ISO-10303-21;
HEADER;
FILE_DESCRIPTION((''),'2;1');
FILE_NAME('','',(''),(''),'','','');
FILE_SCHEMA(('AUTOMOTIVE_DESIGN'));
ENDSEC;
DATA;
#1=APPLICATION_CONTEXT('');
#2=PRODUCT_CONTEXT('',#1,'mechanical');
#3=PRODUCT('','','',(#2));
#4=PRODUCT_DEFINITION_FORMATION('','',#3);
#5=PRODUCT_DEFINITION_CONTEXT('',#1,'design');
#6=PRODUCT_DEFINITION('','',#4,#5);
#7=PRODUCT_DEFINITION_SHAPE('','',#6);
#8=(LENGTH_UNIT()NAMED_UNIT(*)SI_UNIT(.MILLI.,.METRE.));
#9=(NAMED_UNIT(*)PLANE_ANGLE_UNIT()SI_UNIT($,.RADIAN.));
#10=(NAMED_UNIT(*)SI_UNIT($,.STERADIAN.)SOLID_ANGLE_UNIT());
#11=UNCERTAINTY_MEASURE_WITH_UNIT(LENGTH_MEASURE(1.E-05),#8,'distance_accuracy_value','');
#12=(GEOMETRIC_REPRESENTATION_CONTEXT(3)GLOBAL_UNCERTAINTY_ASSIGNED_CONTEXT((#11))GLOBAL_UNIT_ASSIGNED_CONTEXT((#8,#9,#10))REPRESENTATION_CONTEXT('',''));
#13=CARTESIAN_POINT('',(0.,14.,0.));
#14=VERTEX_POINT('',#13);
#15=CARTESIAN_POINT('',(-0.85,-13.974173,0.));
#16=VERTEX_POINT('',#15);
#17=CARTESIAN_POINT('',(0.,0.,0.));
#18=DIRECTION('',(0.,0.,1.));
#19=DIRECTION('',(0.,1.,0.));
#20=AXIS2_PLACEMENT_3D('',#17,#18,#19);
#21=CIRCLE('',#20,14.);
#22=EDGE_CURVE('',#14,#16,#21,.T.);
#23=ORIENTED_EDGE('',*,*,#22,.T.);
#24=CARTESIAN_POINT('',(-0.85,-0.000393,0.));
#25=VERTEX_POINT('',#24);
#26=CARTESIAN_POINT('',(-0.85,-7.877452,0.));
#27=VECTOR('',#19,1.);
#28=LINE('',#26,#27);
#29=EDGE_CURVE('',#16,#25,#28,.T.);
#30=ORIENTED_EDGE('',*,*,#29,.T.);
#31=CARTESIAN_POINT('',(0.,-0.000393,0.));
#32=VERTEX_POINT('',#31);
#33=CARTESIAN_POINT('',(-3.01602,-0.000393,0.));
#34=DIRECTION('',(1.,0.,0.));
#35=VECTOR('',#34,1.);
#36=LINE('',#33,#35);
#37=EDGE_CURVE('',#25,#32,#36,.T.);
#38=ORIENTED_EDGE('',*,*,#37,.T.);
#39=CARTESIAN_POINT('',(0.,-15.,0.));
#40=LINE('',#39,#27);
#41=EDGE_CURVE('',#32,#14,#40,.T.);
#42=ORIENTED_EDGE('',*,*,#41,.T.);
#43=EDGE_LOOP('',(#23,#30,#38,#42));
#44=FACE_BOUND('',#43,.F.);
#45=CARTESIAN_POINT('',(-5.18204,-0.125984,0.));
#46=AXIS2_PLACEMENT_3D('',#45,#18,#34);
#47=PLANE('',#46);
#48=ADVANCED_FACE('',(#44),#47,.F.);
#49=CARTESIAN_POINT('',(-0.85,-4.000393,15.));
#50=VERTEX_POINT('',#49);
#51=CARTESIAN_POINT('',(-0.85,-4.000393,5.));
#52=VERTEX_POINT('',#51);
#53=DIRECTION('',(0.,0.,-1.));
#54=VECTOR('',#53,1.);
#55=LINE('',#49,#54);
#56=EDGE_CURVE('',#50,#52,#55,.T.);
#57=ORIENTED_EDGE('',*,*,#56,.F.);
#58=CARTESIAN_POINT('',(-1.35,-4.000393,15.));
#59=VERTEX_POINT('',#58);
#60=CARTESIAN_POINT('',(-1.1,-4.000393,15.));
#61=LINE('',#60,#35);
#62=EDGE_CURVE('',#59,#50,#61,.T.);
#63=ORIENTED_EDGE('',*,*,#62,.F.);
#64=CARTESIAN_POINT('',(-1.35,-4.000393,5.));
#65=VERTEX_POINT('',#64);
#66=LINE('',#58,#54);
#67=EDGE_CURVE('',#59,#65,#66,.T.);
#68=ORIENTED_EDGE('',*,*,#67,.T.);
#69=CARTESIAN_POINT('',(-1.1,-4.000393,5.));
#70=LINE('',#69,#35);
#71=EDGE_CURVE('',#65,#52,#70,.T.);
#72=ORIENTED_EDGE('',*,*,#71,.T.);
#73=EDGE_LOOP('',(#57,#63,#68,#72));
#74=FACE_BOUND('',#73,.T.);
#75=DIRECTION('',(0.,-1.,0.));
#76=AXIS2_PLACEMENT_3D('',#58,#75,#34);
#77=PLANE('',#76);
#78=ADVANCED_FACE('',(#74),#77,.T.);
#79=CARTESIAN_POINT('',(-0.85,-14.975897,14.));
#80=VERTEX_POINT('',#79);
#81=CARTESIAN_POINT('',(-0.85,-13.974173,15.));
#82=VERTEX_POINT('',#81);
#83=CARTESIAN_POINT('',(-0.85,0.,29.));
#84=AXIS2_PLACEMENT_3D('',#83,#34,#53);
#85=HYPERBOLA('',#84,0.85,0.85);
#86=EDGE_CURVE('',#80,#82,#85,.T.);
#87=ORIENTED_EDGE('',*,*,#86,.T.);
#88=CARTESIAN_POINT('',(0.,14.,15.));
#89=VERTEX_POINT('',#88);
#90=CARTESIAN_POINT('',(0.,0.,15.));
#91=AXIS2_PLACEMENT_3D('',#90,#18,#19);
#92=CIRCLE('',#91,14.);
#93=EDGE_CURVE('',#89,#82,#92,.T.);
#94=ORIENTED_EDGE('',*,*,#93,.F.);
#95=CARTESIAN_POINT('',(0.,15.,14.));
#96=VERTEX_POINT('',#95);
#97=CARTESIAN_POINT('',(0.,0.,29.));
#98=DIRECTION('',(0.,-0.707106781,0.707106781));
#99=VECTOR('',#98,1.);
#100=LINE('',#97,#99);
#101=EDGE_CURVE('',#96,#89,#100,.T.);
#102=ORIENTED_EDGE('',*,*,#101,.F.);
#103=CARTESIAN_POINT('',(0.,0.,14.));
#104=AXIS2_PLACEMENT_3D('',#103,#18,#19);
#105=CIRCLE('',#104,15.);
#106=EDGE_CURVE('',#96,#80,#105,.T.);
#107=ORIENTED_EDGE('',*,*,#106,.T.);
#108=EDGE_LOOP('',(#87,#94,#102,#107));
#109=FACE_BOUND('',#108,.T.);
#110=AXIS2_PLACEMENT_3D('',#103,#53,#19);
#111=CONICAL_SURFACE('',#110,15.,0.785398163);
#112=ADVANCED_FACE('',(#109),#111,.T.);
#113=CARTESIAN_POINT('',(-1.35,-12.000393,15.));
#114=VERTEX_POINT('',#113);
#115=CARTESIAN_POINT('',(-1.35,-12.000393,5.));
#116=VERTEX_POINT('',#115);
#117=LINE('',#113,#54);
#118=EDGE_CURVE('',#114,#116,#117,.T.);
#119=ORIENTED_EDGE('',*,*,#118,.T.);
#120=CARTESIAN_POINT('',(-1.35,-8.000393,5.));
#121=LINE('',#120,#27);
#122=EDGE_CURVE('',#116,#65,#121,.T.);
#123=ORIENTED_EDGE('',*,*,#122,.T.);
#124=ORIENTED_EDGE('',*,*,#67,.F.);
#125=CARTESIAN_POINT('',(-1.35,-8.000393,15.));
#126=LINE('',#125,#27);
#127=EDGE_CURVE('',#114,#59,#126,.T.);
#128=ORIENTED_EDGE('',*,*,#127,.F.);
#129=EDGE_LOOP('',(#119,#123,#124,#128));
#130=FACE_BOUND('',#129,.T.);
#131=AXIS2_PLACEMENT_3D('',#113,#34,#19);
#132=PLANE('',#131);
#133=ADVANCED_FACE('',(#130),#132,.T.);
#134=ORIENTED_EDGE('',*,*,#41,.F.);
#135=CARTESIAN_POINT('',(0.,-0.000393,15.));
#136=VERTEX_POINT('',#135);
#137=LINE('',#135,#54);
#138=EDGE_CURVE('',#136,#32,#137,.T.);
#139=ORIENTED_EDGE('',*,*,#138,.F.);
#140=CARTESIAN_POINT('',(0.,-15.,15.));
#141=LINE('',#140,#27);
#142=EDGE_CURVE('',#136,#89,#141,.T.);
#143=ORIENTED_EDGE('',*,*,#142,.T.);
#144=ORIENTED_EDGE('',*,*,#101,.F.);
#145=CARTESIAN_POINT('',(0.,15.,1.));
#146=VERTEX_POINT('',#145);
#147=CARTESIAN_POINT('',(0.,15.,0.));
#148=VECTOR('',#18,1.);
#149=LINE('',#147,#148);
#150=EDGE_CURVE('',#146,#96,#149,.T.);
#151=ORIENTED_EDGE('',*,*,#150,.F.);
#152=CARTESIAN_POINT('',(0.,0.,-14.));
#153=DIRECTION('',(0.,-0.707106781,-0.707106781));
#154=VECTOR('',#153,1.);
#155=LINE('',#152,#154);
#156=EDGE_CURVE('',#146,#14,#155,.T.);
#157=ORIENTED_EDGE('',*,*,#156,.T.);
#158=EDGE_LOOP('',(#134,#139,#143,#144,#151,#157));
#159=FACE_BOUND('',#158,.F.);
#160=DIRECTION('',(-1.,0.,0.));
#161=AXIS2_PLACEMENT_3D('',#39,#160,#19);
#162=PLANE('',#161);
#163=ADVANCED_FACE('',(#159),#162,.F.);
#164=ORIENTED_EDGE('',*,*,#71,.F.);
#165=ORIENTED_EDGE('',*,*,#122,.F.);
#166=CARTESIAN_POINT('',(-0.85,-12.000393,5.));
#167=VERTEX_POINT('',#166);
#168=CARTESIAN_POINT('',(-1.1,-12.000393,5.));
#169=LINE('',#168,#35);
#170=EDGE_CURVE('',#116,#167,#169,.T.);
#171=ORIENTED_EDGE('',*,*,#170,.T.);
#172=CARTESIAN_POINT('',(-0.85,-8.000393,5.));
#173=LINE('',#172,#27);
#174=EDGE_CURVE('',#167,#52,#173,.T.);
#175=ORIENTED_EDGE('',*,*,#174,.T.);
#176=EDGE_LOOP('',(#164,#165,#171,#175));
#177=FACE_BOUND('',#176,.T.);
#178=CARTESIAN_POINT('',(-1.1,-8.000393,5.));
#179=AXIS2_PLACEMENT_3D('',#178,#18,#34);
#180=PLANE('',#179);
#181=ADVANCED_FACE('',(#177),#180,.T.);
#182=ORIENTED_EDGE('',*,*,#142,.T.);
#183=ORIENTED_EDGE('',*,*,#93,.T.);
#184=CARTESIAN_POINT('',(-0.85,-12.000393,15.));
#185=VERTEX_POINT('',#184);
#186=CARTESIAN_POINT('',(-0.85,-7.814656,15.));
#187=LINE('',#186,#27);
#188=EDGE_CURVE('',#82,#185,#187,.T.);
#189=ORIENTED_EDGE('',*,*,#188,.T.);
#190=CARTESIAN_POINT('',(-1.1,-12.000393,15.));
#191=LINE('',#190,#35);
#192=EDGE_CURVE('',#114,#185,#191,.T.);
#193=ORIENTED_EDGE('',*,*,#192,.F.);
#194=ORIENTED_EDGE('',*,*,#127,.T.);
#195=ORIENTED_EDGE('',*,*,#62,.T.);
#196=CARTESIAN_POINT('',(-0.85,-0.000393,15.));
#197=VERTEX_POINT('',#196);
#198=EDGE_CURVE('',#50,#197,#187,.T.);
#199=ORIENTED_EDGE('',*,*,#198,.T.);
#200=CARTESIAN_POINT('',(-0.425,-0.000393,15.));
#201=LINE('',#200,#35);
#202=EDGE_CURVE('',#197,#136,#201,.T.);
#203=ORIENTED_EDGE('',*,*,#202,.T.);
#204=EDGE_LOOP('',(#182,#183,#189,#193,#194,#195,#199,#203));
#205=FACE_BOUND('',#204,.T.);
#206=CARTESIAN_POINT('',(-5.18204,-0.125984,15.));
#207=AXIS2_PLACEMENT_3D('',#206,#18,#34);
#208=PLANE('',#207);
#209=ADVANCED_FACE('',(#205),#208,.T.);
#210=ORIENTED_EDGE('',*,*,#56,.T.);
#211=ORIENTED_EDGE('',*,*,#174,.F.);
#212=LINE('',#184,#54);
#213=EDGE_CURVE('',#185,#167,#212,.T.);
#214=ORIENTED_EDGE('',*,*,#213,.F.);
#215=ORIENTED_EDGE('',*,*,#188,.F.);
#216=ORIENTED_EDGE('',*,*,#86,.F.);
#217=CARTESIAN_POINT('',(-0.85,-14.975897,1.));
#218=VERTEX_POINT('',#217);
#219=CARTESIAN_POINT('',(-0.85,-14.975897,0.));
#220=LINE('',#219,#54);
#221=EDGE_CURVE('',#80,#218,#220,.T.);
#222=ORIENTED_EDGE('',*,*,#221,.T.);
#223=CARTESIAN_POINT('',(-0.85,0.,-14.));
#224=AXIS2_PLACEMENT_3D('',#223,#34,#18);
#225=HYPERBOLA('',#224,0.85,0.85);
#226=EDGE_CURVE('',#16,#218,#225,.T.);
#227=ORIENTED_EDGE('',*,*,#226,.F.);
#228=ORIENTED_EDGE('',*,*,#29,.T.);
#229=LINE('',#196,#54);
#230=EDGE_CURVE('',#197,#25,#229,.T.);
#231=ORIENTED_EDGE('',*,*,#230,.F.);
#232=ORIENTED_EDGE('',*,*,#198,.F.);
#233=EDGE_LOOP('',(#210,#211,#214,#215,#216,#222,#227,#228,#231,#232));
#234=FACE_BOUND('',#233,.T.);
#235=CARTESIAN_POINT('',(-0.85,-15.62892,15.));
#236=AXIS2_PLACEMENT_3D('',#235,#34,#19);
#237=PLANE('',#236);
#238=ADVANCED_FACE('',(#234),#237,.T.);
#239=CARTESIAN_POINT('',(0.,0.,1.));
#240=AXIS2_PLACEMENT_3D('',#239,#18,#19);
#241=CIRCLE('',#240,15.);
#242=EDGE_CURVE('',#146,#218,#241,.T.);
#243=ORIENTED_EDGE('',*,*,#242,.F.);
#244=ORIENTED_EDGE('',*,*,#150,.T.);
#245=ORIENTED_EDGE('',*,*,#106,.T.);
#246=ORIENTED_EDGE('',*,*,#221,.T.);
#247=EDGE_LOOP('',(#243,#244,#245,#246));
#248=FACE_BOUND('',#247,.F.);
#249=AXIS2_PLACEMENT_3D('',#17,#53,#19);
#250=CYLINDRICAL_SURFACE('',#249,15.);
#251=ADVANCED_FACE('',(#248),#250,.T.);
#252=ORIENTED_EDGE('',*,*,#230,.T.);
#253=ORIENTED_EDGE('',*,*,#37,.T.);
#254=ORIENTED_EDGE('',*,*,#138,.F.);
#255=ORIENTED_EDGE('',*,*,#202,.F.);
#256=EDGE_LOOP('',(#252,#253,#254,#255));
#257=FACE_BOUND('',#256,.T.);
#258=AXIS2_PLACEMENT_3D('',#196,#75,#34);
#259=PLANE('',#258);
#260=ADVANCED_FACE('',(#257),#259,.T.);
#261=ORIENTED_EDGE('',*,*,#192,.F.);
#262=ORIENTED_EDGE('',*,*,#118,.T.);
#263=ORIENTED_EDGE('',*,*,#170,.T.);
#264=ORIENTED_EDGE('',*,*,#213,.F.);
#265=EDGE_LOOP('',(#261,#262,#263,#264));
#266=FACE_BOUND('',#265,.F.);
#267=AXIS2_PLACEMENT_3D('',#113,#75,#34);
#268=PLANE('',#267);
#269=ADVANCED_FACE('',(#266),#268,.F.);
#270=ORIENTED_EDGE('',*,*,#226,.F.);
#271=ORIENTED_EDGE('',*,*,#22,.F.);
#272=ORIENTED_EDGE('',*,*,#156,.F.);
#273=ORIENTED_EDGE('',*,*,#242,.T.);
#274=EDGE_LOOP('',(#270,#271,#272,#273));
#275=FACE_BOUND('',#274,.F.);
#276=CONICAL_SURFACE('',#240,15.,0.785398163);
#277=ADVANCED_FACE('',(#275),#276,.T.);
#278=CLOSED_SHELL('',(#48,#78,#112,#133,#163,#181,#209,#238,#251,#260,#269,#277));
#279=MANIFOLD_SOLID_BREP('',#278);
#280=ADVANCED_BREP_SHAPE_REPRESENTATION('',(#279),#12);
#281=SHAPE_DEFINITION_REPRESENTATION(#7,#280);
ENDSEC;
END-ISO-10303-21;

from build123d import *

# Parameters (mm, degrees)
F0_W     = 0.6
F0_H     = 8
F1_DEPTH = 15
F2_SIZE  = 1
F3_W     = 0.85
F3_H     = 15.628527
F4_DEPTH = 25
F5_W     = 0.5
F5_H     = 8
F6_DEPTH = 10


with BuildPart() as f1:
    # F0 (on Top) → F1 (new body)
    with BuildSketch(Plane.XY):
        with BuildLine():
            Line((0, -4), (0, 15))
            ThreePointArc((0, 15), (-15, 0), (0, -15))
            Line((0, -15), (0, -12))
            Line((0, -12), (-0.6, -12))
            Line((-0.6, -12), (-0.6, -4))
            Line((-0.6, -4), (0, -4))
        make_face()
        with Locations((-0.3, -8)):
            Rectangle(F0_W, F0_H)
    extrude(amount=F1_DEPTH)

    # F2
    f2_edges = [f1.edges().sort_by_distance(p)[0] for p in [
        (-15, 0, 15),
        (-15, 0, 0),
    ]]
    chamfer(f2_edges, length=F2_SIZE)

    # F3 (on face) → F4 (cut)
    with BuildSketch(Plane.XY.offset(15)):
        with Locations((-0.425, -7.814656)):
            Rectangle(F3_W, F3_H)
    extrude(amount=-F4_DEPTH, mode=Mode.SUBTRACT)

    # F5 (on face) → F6 (cut)
    with BuildSketch(Plane.XY.offset(15)):
        with Locations((-1.1, -8.000393)):
            Rectangle(F5_W, F5_H)
    extrude(amount=-F6_DEPTH, mode=Mode.SUBTRACT)


solid = f1.part
